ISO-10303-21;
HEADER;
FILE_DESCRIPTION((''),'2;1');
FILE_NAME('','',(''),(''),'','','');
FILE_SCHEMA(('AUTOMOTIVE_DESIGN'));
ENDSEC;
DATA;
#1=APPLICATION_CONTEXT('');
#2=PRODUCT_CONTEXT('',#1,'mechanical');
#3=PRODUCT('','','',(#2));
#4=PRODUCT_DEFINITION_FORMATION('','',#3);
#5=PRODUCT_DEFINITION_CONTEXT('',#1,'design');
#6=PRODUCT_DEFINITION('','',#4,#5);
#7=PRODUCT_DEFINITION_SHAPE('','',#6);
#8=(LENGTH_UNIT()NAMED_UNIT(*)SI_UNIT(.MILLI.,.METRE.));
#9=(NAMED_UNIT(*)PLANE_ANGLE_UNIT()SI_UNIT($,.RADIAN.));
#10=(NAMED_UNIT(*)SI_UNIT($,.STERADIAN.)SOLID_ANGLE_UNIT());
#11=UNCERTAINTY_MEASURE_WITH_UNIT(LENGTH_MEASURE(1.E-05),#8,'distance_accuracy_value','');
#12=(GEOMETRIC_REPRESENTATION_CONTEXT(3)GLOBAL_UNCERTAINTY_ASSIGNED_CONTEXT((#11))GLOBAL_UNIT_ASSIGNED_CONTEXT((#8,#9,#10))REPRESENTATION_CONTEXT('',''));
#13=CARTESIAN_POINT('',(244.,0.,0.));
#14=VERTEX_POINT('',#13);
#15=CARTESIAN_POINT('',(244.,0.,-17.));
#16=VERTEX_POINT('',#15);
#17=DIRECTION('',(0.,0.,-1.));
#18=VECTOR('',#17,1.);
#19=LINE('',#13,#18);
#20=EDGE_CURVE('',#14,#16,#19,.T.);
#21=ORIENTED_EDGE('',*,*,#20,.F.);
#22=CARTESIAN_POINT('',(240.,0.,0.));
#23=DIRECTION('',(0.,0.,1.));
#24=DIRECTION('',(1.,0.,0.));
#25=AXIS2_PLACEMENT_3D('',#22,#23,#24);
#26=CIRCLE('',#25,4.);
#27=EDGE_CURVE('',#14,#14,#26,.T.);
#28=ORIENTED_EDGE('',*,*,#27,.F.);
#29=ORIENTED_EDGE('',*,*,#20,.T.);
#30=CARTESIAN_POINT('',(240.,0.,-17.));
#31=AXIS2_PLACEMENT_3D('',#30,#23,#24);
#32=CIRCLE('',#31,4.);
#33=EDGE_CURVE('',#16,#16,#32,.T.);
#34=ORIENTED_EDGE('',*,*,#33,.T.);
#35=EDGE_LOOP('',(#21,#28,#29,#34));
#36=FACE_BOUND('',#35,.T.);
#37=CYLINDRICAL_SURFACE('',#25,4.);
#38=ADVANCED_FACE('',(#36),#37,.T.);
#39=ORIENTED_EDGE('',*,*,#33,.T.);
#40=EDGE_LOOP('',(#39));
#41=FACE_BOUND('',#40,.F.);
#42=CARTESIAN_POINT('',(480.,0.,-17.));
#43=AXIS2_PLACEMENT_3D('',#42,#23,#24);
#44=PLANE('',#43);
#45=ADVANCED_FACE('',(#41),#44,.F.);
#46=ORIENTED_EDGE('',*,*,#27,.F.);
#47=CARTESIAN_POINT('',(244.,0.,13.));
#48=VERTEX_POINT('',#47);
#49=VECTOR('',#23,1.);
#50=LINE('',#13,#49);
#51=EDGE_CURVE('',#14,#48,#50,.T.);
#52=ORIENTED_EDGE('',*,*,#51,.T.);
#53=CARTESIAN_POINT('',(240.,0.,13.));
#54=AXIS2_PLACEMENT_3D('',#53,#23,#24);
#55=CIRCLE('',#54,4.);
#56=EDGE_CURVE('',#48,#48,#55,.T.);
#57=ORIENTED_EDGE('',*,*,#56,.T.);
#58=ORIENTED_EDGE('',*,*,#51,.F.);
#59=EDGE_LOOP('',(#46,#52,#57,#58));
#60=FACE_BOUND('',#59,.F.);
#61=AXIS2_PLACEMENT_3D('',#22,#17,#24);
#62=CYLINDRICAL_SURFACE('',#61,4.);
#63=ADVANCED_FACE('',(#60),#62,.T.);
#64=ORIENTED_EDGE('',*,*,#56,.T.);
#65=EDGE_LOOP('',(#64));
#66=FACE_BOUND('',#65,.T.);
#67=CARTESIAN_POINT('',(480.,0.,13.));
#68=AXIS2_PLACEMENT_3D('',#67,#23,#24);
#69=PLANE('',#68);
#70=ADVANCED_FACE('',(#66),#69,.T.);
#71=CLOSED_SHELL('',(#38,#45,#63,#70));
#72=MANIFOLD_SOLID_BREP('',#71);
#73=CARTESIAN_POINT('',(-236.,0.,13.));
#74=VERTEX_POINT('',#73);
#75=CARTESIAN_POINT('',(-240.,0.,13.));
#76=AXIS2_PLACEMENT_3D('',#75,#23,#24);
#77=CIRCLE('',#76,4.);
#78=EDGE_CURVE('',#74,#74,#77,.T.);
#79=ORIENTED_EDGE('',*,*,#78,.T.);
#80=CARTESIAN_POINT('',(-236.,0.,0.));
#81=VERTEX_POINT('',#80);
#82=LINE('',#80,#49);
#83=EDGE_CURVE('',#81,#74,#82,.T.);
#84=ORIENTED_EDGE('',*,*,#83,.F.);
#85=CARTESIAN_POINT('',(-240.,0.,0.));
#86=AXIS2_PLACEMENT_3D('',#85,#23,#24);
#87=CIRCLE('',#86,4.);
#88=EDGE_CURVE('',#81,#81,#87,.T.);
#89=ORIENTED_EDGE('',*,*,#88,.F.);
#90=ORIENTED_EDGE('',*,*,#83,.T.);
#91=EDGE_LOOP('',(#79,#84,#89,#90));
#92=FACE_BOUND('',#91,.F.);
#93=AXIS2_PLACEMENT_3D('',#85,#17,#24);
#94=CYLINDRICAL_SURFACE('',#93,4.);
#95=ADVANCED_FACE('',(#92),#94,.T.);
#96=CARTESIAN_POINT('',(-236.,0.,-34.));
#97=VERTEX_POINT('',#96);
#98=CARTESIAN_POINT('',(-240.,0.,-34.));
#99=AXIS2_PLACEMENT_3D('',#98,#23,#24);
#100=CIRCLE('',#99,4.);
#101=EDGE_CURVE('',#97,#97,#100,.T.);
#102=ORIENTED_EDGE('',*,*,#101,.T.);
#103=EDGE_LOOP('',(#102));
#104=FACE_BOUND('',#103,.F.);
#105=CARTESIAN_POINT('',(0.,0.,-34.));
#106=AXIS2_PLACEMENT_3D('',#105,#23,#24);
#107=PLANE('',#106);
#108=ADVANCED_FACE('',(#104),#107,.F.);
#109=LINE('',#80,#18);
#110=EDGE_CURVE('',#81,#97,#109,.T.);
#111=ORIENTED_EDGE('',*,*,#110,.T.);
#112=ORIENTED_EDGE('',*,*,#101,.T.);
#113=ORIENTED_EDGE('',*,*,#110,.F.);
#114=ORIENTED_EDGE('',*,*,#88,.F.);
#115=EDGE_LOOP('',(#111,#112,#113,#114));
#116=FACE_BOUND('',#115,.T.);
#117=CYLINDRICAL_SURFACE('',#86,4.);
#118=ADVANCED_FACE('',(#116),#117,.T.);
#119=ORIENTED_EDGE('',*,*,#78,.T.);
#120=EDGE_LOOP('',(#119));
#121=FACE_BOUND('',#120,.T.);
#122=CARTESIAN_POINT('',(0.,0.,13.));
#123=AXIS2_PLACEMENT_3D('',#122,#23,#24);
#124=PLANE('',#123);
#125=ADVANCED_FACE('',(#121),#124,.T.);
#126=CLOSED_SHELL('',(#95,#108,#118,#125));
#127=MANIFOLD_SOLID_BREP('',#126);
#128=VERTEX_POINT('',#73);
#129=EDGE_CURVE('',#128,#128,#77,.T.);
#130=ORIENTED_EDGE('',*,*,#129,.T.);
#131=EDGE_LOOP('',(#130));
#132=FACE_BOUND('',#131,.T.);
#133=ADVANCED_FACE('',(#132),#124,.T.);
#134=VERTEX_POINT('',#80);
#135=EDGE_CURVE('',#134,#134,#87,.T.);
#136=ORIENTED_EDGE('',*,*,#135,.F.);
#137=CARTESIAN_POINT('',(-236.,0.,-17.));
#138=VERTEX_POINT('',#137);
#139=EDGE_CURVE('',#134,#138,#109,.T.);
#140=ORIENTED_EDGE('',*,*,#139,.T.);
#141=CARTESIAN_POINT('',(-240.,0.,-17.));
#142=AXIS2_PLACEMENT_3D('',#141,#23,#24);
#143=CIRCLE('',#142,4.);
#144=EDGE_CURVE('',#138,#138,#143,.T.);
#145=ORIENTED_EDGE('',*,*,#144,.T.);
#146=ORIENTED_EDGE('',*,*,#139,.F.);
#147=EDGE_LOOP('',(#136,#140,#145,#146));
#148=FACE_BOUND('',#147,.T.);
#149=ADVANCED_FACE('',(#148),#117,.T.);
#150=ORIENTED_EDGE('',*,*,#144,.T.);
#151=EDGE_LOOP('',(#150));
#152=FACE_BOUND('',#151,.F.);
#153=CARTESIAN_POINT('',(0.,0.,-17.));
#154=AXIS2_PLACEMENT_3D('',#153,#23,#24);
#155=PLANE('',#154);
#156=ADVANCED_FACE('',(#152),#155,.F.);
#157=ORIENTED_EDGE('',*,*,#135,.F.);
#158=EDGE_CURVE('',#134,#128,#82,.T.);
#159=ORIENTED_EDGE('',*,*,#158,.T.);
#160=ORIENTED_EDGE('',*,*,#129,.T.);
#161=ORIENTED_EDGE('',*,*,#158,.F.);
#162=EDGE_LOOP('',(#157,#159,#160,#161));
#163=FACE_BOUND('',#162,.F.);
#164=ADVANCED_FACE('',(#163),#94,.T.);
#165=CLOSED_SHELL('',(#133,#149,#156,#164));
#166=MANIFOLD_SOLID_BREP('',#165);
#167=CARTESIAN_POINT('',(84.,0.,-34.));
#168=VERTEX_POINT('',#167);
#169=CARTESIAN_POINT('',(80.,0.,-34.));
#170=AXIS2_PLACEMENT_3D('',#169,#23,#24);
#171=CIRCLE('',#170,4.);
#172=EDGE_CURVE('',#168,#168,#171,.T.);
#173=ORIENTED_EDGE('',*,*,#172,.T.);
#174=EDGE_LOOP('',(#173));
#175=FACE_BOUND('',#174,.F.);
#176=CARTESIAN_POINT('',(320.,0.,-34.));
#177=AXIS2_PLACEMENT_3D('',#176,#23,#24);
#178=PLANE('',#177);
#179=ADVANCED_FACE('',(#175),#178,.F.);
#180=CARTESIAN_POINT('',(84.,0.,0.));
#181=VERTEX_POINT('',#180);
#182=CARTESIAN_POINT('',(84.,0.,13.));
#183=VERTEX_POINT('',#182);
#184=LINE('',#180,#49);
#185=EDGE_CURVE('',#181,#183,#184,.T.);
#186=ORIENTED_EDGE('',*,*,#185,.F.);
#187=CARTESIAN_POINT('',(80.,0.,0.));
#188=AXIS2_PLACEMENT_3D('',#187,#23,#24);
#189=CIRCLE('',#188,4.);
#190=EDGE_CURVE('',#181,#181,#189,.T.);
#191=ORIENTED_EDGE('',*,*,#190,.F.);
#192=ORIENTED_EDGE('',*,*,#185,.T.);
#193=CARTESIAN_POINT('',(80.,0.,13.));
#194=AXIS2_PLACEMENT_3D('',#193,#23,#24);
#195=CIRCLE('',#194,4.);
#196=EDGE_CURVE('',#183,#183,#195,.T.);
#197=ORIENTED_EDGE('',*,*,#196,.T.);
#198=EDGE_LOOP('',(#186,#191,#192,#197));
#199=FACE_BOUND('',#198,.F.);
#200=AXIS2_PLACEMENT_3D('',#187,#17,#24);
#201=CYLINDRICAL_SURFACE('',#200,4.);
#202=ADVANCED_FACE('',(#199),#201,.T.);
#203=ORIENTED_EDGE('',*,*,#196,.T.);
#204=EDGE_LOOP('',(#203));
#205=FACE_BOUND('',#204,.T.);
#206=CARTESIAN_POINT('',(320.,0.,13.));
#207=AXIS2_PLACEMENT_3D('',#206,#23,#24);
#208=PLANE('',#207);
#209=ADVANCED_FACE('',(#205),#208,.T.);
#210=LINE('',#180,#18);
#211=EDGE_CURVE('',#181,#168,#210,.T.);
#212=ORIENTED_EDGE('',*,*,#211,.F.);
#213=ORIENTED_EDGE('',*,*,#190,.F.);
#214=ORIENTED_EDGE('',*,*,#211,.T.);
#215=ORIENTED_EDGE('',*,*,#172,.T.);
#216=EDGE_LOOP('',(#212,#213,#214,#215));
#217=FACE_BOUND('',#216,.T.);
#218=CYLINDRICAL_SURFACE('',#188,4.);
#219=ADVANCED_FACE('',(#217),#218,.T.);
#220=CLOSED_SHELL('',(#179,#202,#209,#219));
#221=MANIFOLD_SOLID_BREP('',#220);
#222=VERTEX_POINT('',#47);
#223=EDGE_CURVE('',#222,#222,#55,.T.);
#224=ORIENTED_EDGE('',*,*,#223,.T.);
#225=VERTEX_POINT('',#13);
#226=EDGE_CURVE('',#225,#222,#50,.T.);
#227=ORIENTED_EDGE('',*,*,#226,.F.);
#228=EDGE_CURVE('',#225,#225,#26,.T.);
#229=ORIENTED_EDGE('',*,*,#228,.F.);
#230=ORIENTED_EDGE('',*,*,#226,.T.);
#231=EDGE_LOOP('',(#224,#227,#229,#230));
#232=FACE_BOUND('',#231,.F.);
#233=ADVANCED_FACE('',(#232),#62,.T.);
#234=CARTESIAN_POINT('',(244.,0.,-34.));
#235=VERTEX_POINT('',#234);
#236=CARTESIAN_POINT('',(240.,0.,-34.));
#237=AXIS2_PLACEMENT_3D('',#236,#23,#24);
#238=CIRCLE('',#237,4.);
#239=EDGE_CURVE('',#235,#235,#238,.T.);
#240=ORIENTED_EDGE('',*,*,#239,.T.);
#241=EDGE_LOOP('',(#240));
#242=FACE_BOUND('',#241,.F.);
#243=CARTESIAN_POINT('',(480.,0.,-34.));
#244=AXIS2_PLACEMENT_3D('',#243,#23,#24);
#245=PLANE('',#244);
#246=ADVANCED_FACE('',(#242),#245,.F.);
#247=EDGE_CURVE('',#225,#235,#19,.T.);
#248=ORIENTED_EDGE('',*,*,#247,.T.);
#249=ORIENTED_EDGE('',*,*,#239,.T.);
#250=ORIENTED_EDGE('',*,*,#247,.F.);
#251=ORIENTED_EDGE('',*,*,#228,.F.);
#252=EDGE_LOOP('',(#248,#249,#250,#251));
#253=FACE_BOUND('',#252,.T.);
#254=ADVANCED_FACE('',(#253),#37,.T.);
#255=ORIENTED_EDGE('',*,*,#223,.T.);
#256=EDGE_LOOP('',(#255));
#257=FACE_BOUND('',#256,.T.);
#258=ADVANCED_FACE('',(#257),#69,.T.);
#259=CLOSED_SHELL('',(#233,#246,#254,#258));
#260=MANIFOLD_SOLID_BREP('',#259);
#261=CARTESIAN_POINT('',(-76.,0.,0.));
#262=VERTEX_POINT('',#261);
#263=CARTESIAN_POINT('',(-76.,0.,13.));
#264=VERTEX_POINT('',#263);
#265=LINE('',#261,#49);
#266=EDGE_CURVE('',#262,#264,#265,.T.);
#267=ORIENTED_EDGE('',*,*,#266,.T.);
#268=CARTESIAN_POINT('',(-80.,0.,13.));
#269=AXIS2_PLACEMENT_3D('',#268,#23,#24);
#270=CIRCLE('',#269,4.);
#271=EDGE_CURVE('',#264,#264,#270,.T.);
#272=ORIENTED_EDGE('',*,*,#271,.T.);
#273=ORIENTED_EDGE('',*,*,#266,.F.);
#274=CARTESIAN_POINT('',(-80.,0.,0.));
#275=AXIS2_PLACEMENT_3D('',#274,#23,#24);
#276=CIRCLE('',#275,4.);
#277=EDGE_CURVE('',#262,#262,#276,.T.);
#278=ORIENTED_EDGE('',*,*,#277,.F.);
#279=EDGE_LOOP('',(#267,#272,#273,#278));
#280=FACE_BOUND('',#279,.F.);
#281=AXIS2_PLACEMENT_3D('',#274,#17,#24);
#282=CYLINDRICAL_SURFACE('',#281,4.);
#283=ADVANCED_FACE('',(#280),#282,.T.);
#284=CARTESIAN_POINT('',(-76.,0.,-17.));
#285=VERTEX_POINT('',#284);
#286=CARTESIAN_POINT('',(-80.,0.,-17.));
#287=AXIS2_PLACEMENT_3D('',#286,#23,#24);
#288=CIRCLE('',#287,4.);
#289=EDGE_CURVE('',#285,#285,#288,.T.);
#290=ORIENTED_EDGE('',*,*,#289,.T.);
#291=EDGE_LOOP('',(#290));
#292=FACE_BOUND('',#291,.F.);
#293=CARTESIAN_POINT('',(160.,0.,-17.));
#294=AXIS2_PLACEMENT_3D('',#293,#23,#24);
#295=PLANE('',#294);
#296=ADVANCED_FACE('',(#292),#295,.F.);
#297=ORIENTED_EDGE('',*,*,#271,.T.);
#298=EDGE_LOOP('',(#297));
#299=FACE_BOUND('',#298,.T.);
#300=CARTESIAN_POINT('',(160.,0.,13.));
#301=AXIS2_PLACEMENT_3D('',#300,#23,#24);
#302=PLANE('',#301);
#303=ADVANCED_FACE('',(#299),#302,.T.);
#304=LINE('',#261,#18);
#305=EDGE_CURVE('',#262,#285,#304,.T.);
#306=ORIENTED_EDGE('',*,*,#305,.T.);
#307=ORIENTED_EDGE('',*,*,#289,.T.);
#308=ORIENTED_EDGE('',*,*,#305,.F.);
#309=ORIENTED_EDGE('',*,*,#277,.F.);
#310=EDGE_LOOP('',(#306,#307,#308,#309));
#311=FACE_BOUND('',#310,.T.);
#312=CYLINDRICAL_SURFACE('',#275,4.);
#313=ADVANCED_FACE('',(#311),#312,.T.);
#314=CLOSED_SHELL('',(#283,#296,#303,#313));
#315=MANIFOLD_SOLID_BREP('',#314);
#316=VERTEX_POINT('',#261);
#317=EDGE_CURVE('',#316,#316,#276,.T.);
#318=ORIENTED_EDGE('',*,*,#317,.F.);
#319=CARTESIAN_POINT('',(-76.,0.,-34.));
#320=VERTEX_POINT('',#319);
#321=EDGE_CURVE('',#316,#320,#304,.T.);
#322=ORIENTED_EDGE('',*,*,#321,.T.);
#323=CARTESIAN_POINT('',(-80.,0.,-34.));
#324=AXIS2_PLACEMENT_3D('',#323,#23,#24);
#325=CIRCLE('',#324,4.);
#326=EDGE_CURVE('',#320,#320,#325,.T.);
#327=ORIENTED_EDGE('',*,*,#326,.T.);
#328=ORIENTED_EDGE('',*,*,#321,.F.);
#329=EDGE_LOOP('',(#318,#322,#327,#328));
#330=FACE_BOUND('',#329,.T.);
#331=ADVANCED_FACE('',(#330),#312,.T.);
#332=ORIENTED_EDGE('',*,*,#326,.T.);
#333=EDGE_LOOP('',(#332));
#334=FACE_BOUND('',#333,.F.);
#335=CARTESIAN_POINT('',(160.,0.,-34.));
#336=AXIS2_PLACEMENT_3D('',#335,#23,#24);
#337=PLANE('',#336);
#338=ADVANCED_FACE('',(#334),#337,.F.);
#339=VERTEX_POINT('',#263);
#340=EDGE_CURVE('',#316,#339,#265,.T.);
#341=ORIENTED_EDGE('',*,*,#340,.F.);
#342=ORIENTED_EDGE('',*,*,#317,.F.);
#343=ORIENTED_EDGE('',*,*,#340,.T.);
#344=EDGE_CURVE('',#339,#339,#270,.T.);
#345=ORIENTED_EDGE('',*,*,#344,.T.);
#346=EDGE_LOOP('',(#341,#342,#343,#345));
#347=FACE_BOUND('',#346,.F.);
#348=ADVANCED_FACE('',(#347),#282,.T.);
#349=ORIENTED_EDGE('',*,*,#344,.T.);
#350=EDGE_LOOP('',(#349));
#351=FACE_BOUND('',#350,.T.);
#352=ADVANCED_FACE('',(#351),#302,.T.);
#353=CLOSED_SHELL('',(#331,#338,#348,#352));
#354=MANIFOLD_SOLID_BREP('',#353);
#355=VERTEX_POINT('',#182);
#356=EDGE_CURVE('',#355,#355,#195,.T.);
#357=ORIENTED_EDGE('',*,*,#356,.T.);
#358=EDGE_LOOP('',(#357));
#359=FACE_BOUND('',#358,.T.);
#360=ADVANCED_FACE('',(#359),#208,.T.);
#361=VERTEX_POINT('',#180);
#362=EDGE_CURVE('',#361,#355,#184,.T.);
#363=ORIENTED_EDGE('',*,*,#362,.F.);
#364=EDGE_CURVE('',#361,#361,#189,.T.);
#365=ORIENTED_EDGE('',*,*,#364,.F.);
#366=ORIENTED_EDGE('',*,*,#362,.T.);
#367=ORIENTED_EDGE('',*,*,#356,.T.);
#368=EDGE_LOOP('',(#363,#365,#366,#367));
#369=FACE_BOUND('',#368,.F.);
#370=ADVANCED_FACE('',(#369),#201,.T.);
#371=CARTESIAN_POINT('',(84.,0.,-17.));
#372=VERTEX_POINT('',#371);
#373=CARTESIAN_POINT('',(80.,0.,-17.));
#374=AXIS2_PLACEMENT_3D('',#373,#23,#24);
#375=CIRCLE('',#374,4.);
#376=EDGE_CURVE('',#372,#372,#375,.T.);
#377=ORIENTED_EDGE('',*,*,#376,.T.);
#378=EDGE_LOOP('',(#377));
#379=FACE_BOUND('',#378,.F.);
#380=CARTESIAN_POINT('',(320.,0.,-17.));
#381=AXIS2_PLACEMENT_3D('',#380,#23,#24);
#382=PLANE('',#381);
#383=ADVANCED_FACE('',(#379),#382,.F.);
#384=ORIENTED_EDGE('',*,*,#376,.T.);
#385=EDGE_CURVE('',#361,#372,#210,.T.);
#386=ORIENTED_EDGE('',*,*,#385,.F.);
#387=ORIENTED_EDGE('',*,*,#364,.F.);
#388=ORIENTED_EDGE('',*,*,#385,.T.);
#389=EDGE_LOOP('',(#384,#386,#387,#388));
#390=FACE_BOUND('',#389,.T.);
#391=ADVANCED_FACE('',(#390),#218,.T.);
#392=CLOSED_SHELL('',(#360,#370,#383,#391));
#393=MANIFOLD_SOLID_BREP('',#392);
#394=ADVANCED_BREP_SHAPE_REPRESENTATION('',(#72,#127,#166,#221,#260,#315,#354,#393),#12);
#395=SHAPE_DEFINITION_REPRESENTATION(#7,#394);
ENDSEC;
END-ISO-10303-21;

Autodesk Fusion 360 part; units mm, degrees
sketch "Sketch1" plane through (0, 0, 0) normal (0, 0, 1) x (1, 0, 0)
  line L0 (310, 9) -> (-310, 9)
  line L1 (-310, 9) -> (-310, -9)
  line L2 (-310, -9) -> (310, -9)
  line L3 (310, -9) -> (310, 9)
  line L4 (310, 9) -> (-310, -9) construction
  line L5 (-310, 9) -> (310, -9) construction
  line L6 (-310, 0) -> (310, 0) construction
  circle A0 centre (-240, 0) radius 4
  dimension "d9" = 620
  dimension "d10" = 18
  dimension "d11" = 8
  dimension "d12" = 70
extrude "Extrude1" add sketch "Sketch1" along normal blind 13 and the other way blind 17 contours A0 makes body 1
extrude "Extrude2" add sketch "Sketch1" along normal blind 13 and the other way blind 34 separate body contours A0 makes body 2
copy_body "Body->Comp1" bodies 1 removing the originals makes body 3 in component "Dowel"
copy_body "CutPasteBodies1" bodies 2 removing the originals makes body 4 in component "Dowel"
pattern_linear "00000000-0000-0000-0000-000000000000" [suppressed]
component "Dowel" placed x (1, 0, 0) y (0, 1, 0) z (0, 0, 1) at (0, 0, 0)
component "Dowel" placed x (1, 0, 0) y (0, 1, 0) z (0, 0, 1) at (160, 0, 0)
component "Dowel" placed x (1, 0, 0) y (0, 1, 0) z (0, 0, 1) at (320, 0, 0)
component "Dowel" placed x (1, 0, 0) y (0, 1, 0) z (0, 0, 1) at (480, 0, 0)
equation "ContactPatchLength = 620 mm" comment "Driven length"
equation "ContactPatchWidth = 18 mm" comment "Pillar Board Thickness"
equation "MinFromEdge = 20 mm"
equation "StepBetweenDowels = 160 mm"
equation "DowelDistributionLength = ContactPatchLength - MinFromEdge * 2"
equation "DowelNo = floor(DowelDistributionLength / StepBetweenDowels) + 1"
equation "DistributionLength = StepBetweenDowels * ( DowelNo - 1 )"
equation "FromEdge = ( ContactPatchLength - DistributionLength ) / 2"
equation "d9 = ContactPatchLength"
equation "d10 = ContactPatchWidth"
equation "d11 = DowelDia"
equation "d12 = FromEdge"
equation "d15 = 30 mm - 13 mm"
equation "d25 = DowelNo"
equation "d27 = StepBetweenDowels"
equation "DowelDia = 8 mm"
properties part number "D8x30"
